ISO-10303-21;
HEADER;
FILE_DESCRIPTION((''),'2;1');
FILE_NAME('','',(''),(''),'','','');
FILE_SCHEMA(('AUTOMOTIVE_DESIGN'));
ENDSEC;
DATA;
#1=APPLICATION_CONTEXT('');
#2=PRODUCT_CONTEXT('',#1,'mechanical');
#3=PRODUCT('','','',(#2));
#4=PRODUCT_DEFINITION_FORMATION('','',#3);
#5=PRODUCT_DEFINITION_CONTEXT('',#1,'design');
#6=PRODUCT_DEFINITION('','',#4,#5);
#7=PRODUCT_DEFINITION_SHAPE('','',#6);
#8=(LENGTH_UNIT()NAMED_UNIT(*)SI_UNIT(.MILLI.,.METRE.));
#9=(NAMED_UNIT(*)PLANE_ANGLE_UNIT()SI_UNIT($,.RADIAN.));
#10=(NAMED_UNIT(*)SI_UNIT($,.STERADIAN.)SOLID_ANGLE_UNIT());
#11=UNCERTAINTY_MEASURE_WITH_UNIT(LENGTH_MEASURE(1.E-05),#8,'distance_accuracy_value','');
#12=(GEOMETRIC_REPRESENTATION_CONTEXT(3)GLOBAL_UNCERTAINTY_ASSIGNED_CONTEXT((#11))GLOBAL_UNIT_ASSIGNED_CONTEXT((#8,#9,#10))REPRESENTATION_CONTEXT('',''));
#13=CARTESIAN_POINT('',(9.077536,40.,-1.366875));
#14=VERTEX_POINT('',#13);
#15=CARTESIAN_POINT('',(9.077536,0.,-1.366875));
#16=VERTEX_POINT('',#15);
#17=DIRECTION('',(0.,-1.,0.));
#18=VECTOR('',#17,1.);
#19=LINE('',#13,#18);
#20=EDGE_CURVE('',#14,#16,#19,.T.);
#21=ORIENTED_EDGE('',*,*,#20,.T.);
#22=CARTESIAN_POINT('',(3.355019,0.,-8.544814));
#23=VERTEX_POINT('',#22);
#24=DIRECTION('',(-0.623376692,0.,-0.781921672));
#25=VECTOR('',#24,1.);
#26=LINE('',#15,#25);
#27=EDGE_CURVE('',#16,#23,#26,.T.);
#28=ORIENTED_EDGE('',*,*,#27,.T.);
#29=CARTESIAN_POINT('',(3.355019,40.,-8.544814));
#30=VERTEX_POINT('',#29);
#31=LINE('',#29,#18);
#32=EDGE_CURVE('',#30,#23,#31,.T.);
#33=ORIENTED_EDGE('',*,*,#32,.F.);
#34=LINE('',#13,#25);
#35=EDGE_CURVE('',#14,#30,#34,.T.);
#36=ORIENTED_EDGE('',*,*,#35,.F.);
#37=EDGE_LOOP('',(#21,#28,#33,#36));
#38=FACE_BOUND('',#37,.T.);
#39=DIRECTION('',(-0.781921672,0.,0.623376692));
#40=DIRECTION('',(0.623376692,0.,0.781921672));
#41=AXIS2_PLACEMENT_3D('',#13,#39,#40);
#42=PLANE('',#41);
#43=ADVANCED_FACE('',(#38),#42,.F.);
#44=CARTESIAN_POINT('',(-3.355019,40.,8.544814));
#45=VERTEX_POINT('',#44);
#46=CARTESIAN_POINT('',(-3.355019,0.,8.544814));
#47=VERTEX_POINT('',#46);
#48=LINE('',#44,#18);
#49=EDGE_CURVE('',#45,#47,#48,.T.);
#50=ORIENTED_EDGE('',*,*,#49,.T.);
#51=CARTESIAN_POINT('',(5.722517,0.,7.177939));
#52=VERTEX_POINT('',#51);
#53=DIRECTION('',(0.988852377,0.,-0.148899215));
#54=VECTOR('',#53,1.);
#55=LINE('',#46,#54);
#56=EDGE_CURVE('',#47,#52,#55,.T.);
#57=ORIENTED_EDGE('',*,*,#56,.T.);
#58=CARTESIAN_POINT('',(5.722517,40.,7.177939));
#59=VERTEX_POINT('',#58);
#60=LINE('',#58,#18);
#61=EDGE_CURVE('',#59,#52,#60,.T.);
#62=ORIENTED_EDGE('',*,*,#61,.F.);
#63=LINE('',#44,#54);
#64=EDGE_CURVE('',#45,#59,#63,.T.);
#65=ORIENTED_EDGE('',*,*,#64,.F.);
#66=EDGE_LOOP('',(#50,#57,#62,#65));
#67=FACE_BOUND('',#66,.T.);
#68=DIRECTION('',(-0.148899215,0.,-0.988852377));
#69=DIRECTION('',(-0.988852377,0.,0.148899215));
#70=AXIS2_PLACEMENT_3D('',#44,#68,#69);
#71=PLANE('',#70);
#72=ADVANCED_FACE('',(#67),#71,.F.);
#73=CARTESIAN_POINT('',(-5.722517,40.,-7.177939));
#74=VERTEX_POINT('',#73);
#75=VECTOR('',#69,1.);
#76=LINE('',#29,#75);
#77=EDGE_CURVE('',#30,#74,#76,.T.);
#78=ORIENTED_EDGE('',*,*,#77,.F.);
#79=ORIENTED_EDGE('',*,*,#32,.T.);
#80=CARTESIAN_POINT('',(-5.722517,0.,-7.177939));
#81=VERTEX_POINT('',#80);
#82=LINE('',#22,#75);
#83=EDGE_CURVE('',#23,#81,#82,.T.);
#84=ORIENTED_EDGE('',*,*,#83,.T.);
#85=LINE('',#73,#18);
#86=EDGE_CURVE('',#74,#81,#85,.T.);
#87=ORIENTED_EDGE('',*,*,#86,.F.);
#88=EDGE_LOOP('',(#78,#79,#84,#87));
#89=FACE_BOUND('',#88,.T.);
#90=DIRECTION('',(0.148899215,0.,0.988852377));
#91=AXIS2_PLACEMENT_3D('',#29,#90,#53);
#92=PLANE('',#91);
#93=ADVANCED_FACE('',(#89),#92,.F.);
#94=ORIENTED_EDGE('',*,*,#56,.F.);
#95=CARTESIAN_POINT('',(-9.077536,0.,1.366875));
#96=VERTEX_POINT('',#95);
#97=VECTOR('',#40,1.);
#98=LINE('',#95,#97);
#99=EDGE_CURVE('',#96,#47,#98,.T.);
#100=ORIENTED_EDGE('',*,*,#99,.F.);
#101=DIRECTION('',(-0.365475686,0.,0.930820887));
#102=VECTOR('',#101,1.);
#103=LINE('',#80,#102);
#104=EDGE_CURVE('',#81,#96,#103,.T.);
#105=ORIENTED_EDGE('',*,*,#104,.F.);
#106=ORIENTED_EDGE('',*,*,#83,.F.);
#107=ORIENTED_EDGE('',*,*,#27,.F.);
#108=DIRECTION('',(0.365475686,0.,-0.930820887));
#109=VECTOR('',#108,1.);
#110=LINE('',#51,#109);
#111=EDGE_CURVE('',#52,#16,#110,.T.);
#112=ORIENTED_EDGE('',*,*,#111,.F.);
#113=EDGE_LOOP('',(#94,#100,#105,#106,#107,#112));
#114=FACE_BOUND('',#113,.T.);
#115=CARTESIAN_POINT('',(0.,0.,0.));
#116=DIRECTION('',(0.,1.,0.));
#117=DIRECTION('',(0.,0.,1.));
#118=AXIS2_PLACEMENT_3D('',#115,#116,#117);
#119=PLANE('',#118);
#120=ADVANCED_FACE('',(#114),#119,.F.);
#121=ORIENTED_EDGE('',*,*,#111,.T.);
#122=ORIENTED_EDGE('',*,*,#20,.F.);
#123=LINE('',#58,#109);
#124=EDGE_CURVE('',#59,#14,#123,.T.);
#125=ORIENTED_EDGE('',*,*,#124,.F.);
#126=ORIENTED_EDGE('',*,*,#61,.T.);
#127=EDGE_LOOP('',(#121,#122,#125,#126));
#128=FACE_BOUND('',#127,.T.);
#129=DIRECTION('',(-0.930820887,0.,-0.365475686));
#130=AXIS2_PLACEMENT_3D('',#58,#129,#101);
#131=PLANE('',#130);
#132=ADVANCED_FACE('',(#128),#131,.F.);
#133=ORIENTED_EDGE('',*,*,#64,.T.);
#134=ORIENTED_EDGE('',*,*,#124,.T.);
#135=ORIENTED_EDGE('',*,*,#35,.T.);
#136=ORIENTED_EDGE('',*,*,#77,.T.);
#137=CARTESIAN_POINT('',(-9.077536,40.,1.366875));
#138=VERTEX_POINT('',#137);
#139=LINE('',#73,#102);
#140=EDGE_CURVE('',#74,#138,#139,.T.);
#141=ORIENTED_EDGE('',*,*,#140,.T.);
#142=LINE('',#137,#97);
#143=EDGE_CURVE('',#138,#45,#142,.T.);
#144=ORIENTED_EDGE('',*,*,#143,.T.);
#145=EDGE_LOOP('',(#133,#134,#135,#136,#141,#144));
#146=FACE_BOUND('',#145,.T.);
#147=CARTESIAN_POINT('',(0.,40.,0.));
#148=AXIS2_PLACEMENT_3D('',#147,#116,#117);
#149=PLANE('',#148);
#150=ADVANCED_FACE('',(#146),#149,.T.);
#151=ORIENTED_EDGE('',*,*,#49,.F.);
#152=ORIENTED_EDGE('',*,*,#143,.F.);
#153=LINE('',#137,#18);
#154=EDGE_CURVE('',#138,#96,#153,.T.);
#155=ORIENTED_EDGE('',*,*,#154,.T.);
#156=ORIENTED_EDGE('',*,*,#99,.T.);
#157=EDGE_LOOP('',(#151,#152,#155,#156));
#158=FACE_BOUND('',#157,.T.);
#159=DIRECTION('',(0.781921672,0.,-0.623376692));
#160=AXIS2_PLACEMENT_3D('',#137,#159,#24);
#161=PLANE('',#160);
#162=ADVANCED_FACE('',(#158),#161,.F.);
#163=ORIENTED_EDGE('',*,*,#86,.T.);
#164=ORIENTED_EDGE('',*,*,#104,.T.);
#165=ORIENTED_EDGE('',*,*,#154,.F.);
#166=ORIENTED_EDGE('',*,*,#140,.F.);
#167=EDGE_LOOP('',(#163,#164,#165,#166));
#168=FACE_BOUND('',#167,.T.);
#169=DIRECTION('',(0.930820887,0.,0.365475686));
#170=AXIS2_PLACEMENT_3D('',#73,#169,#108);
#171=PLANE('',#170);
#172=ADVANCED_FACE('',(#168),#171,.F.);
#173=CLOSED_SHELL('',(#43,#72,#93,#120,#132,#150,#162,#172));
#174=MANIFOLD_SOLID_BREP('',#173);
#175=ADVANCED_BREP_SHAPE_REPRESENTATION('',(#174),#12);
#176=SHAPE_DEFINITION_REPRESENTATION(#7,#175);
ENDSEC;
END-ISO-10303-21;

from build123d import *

# Parameters (mm, degrees)
BOSS_EXTRUDE1_DEPTH = 40


with BuildPart() as part:
    # Sketch1 → Boss-Extrude1 (new body)
    with BuildSketch(Plane(origin=(0, 0, 0), x_dir=(1, 0, 0), z_dir=(0, 1, 0))):
        Polygon((3.355019019, 8.544814064), (-5.72251654, 7.177938732), (-9.077535559, -1.366875331), (-3.355019019, -8.544814064), (5.72251654, -7.177938732), (9.077535559, 1.366875331), align=None)
    extrude(amount=BOSS_EXTRUDE1_DEPTH)


solid = part.part
